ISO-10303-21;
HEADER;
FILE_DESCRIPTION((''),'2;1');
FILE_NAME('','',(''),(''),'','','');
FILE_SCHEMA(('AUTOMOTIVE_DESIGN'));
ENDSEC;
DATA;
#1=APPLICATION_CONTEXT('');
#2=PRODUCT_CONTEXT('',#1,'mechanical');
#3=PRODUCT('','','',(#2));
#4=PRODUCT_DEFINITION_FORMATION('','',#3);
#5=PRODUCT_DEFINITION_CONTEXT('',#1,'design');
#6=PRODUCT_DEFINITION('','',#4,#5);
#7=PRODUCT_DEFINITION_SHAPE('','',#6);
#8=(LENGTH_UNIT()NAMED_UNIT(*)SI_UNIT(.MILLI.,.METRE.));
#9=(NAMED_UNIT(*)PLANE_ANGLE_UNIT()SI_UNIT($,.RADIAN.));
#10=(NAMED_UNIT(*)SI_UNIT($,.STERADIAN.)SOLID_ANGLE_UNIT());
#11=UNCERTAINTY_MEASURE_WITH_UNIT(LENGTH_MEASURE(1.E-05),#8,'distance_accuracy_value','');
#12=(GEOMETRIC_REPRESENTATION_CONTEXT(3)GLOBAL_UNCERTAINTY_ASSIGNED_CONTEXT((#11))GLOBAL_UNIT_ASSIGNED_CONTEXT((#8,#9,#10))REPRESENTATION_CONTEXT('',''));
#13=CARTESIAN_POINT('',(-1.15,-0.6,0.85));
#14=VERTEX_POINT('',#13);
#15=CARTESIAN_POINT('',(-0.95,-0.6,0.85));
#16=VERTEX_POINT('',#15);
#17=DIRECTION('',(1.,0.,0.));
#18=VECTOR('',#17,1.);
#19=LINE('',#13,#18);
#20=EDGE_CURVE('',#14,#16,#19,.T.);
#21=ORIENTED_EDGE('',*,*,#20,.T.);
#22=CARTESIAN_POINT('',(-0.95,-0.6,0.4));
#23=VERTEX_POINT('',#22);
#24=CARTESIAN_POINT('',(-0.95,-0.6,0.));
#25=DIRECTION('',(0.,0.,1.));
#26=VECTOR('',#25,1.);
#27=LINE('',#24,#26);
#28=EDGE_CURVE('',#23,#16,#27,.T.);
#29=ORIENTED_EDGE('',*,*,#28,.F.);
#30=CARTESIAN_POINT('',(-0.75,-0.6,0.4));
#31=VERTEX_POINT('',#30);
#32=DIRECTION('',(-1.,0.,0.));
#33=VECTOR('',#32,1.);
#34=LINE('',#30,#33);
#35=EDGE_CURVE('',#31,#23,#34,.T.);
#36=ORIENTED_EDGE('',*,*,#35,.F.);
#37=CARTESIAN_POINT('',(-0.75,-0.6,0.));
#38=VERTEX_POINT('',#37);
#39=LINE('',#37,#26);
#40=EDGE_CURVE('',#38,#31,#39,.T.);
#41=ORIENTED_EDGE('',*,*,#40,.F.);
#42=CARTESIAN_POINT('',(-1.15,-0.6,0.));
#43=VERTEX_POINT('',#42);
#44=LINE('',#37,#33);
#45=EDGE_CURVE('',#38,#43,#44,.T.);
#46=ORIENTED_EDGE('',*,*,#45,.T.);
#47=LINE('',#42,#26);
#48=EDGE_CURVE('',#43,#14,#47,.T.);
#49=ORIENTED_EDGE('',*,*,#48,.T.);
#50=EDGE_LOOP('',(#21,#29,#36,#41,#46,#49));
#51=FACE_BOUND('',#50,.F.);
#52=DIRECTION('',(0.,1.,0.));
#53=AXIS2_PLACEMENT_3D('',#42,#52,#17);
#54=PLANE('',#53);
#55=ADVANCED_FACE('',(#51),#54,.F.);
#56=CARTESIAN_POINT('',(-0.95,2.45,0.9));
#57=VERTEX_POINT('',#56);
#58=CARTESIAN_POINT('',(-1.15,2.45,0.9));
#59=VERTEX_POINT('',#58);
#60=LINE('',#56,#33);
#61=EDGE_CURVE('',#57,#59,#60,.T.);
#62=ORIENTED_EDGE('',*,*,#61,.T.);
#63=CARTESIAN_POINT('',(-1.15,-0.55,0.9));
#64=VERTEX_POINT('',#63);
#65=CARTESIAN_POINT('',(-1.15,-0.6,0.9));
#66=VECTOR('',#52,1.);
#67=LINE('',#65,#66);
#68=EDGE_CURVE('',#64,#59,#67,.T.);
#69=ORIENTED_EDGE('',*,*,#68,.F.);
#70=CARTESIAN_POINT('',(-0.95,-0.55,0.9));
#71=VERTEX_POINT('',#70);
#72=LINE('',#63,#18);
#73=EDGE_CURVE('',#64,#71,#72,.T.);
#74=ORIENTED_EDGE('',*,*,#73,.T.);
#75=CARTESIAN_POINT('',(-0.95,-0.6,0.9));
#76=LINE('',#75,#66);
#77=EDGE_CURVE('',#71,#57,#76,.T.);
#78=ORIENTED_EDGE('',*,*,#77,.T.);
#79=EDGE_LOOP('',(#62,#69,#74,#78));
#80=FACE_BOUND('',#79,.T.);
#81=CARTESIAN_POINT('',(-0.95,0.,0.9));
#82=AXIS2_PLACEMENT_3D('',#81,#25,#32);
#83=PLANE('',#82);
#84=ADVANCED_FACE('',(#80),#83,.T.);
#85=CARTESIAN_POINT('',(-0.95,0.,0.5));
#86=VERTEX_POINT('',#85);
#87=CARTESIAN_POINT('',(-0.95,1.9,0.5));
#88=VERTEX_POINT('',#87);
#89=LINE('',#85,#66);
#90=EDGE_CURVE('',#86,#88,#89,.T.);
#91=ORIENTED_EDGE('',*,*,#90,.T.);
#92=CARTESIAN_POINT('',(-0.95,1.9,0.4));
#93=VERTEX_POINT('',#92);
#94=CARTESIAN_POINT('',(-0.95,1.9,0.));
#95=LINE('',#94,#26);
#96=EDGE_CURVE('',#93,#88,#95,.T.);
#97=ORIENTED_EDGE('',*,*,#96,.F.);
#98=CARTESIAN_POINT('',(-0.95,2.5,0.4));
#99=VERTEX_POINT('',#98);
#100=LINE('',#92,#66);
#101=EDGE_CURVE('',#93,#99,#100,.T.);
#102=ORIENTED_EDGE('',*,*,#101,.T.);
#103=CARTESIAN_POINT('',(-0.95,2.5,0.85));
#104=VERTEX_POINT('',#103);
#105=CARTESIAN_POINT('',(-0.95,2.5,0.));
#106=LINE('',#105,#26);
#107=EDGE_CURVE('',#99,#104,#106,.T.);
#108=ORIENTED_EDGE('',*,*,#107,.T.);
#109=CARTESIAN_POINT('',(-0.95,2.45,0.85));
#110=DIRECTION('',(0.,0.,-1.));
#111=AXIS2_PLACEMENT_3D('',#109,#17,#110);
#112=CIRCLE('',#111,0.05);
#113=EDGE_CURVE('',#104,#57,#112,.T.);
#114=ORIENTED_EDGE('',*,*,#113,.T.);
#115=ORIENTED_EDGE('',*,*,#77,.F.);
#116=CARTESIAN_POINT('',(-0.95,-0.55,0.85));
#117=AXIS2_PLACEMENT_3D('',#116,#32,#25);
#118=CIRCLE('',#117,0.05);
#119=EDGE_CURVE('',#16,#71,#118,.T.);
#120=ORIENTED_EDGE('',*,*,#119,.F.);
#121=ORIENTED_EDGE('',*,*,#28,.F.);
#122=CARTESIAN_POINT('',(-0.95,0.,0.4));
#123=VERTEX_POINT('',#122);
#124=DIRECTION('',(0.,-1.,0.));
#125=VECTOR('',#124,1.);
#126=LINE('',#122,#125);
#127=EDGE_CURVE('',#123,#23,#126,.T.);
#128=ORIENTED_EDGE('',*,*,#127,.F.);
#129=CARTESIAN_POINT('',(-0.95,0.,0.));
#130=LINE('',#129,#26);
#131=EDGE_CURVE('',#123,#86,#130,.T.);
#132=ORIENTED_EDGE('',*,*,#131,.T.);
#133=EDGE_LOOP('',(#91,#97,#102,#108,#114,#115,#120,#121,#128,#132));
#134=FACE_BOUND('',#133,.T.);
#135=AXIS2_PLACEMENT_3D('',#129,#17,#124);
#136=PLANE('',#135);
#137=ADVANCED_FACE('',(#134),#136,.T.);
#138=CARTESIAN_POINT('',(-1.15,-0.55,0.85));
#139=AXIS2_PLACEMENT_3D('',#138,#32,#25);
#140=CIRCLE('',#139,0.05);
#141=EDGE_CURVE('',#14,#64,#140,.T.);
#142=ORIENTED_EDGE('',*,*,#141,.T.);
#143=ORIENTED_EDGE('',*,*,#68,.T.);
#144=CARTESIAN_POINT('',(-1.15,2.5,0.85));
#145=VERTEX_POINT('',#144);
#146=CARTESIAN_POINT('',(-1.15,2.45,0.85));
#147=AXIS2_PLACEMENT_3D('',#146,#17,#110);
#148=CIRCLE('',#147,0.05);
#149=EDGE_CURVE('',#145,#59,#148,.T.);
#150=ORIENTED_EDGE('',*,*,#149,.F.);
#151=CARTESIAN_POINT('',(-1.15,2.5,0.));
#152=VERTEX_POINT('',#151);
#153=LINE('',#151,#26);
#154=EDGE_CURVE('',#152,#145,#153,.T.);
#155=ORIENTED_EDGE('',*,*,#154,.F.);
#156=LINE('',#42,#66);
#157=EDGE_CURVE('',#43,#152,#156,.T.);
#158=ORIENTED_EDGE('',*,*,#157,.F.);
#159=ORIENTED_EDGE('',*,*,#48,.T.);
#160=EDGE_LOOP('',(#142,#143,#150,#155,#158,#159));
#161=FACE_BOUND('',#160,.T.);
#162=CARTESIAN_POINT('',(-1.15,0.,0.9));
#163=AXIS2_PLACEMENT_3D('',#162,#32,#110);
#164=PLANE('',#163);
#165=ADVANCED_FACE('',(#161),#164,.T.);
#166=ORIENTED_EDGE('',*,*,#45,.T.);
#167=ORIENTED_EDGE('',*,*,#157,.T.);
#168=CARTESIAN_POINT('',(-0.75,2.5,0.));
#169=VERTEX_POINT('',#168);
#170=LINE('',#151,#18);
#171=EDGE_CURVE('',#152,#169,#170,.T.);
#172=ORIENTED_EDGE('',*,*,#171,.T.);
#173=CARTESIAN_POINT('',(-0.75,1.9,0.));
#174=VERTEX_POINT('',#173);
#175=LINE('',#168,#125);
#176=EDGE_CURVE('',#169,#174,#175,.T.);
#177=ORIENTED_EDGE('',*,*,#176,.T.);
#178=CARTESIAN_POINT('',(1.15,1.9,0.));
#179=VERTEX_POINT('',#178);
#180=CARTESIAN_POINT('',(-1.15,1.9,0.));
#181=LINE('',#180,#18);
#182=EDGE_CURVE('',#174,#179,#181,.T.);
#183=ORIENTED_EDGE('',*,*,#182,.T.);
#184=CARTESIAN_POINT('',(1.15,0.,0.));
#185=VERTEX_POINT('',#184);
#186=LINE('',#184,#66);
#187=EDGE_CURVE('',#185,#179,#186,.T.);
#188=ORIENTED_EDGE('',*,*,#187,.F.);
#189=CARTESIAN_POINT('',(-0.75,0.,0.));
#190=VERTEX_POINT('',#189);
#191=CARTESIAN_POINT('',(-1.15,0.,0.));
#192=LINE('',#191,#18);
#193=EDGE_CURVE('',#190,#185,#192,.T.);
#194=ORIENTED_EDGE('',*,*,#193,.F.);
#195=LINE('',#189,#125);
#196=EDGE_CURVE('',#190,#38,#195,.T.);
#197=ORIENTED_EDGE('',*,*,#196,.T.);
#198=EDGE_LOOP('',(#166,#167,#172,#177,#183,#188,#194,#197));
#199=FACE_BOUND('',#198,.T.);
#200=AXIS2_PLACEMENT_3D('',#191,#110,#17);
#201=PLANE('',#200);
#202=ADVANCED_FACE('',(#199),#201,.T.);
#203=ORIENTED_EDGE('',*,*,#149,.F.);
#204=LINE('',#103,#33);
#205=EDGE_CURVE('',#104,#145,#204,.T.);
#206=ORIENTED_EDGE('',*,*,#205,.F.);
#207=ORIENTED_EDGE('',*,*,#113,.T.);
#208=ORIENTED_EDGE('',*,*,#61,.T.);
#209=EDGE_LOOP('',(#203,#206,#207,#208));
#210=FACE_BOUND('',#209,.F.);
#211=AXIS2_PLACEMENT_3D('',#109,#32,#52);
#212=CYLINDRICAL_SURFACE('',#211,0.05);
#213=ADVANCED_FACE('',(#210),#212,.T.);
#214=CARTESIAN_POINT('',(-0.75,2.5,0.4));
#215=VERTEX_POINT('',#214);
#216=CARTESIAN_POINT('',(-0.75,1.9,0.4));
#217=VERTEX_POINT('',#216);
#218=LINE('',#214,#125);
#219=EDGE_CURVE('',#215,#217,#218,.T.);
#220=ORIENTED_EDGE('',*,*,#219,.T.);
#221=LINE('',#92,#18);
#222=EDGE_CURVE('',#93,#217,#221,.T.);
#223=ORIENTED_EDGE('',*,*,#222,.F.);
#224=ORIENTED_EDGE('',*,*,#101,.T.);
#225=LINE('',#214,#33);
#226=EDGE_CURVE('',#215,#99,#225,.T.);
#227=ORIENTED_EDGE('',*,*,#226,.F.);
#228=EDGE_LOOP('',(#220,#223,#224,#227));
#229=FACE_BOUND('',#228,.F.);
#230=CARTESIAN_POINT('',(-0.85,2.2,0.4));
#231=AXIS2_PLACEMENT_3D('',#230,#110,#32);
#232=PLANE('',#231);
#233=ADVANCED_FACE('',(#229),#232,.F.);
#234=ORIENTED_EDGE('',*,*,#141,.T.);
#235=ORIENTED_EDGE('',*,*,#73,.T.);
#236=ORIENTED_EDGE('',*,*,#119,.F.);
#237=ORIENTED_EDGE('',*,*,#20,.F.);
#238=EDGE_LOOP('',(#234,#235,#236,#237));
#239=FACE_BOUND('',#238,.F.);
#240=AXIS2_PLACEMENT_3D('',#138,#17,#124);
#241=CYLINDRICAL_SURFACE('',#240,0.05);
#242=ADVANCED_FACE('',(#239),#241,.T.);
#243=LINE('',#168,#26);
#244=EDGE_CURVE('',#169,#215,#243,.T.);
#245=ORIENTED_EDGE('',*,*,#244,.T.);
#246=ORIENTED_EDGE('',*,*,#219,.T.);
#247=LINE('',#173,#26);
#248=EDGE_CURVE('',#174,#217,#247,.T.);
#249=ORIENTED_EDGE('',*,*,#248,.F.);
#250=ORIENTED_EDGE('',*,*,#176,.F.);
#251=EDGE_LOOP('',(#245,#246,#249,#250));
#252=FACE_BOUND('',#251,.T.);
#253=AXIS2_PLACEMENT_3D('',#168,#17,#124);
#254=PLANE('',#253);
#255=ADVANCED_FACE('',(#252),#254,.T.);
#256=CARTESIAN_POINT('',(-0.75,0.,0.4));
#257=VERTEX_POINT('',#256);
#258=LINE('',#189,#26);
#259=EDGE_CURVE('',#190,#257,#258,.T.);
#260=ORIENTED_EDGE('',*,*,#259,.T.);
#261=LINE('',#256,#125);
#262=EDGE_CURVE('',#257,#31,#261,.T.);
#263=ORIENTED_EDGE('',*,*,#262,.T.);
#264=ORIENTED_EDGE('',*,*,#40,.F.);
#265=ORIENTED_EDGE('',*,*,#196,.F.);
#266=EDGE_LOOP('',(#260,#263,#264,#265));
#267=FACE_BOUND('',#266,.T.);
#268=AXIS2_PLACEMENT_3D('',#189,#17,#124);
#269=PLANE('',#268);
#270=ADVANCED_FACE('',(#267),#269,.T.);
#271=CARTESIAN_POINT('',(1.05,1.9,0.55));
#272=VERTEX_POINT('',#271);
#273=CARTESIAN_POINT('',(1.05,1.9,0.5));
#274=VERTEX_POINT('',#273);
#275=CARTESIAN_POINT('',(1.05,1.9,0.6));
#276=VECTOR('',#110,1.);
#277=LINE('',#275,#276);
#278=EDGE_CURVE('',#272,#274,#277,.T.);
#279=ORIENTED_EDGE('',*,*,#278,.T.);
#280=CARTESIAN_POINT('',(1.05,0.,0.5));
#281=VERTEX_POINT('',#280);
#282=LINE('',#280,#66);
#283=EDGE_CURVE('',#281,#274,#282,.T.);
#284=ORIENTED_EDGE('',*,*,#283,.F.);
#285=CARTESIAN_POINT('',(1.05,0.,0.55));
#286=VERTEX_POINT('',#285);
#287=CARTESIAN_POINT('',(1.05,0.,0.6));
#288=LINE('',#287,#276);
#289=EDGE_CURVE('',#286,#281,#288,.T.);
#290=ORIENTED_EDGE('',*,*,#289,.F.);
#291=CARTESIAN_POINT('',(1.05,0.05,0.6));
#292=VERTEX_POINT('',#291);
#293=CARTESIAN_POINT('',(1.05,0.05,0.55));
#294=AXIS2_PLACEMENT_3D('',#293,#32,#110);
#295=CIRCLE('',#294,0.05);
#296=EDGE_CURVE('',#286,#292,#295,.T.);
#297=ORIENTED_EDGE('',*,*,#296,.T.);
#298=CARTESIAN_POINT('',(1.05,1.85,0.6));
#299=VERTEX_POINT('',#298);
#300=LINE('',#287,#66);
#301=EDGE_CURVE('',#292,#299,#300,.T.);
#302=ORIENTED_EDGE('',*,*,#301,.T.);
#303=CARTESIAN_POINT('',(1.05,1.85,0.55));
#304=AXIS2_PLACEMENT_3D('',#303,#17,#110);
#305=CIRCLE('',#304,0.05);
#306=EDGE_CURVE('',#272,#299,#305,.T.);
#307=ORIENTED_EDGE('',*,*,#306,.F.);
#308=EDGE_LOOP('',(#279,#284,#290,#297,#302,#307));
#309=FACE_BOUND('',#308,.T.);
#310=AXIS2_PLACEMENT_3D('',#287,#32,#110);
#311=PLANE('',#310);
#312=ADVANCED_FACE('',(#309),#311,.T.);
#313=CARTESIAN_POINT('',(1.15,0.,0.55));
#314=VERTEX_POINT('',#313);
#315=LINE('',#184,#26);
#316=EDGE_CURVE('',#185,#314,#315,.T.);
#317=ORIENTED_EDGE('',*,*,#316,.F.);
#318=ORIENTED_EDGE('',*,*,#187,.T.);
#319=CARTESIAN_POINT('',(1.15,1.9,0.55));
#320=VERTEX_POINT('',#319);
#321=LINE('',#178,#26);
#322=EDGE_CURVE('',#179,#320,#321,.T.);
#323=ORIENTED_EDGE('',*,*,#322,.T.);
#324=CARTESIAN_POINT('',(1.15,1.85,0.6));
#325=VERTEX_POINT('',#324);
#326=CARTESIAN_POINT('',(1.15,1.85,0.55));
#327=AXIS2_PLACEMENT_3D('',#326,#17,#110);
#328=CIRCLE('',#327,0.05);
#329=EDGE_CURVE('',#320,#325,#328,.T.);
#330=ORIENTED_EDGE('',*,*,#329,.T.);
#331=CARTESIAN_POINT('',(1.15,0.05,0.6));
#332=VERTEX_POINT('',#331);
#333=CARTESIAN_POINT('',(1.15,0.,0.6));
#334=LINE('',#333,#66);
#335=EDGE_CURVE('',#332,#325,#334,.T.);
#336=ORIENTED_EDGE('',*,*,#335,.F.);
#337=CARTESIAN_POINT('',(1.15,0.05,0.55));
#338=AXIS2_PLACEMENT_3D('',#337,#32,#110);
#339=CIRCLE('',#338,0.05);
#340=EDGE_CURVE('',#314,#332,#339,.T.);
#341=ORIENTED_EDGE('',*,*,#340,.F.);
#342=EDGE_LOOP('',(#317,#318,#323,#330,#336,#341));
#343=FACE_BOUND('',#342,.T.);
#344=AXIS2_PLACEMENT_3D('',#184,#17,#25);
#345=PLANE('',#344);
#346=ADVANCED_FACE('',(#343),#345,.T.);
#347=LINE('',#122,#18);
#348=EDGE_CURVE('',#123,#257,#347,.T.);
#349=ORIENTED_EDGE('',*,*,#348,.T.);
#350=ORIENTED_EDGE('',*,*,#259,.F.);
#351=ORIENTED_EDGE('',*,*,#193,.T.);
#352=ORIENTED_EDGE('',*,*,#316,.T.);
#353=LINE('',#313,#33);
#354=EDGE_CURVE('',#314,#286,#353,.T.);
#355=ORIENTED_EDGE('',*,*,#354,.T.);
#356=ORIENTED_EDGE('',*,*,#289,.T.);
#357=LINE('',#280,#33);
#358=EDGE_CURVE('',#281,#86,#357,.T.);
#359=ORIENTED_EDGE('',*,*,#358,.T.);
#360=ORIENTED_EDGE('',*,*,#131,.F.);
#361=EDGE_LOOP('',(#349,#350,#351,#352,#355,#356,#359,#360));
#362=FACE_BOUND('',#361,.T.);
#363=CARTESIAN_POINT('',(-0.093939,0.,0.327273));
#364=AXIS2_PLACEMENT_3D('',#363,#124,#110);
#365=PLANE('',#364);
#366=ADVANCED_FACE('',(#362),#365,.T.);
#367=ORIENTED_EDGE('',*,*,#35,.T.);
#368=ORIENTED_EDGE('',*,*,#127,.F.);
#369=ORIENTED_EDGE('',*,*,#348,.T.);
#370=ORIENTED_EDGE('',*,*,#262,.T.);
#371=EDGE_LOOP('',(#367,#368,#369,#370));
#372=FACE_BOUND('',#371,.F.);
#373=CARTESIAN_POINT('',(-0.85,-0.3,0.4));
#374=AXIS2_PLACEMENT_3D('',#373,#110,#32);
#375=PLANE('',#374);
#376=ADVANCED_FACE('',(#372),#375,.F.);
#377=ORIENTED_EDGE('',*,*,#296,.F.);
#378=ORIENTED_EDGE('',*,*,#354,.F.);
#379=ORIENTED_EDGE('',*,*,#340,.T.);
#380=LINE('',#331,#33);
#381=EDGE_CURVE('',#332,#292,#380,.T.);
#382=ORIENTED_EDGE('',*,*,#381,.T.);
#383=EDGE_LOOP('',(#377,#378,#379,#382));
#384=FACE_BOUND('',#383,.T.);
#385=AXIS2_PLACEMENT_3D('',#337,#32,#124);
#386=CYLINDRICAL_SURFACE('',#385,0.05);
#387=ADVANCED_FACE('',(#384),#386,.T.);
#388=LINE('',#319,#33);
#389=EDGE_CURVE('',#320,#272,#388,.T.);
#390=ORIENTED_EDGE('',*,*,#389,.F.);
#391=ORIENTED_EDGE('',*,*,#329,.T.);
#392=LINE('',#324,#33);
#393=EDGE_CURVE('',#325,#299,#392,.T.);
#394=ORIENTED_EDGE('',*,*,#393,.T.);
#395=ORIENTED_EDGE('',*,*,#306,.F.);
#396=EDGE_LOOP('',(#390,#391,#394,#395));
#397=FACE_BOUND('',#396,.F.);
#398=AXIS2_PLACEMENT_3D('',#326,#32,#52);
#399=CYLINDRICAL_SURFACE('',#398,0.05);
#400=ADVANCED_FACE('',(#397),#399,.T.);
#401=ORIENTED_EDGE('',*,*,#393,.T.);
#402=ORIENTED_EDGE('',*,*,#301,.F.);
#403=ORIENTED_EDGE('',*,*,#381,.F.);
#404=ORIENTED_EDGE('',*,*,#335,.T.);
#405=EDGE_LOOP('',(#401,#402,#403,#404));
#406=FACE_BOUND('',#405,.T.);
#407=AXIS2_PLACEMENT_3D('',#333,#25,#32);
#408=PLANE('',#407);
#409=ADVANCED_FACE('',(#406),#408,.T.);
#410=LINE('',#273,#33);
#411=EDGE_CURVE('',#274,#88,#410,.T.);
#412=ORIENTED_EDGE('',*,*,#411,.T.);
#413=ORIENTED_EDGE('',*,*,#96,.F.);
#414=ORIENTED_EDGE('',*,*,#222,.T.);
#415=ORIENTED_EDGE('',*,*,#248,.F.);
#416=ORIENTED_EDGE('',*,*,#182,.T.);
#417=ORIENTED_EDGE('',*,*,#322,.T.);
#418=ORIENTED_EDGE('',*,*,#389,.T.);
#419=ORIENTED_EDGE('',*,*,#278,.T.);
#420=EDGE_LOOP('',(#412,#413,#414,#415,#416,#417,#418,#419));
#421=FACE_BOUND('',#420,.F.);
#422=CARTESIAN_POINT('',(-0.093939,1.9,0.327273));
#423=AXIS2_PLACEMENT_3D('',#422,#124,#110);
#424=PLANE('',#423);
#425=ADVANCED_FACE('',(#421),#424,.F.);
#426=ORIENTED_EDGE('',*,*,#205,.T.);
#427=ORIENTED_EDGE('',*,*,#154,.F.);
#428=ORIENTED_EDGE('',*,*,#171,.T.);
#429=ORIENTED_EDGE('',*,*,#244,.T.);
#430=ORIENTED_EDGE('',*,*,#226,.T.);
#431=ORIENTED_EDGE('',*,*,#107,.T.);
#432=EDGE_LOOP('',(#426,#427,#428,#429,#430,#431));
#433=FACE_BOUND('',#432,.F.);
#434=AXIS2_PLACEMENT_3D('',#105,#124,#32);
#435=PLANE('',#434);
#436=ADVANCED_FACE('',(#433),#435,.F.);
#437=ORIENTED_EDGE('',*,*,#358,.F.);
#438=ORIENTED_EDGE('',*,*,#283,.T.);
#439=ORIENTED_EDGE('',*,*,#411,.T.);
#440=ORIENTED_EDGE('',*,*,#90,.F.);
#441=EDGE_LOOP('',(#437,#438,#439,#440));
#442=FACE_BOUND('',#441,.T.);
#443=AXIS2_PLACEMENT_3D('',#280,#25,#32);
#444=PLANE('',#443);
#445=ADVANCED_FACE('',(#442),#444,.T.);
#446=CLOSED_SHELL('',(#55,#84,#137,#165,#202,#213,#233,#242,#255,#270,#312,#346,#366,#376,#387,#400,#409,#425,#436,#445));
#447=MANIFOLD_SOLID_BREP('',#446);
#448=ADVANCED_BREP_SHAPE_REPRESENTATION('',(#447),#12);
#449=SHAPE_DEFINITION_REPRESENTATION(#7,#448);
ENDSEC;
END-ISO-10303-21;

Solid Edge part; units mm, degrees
sketch "Sketch1" plane through (0, 0, 0) normal (0, -1, 0) x (1, 0, 0)
  line L0 (-1.15, 0) -> (1.15, 0)
  line L1 (1.15, 0) -> (1.15, 0.6)
  line L2 (1.15, 0.6) -> (1.05, 0.6)
  line L3 (1.05, 0.6) -> (1.05, 0.5)
  line L4 (1.05, 0.5) -> (-0.95, 0.5)
  line L5 (-0.95, 0.5) -> (-0.95, 0.9)
  line L6 (-0.95, 0.9) -> (-1.15, 0.9)
  line L7 (-1.15, 0.9) -> (-1.15, 0)
  dimension "D1" = 0.2
  dimension "D2" = 0.1
  dimension "D3" = 2.3
  dimension "D4" = 0.5
  dimension "D5" = 0.6
  dimension "D6" = 0.9
extrude "Protrusion1" add sketch "Sketch1" against normal blind 1.9
sketch "Sketch2" plane through (0, 0.95, 0) normal (0, 0, -1) x (-1, 0, 0)
  line L0 (1.15, -1.55) -> (0.95, -1.55)
  line L1 (0.95, -0.95) -> (0.95, -1.55)
  line L2 (1.15, -0.95) -> (0.95, -0.95)
  line L3 (1.15, -0.95) -> (1.15, -1.55)
  line L4 (0.95, 1.55) -> (0.95, 0.95)
  line L5 (1.15, 0.95) -> (0.95, 0.95)
  line L6 (1.15, 1.55) -> (1.15, 0.95)
  line L7 (0.95, 1.55) -> (1.15, 1.55)
  dimension "D1" = 0.6
extrude "Protrusion2" add sketch "Sketch2" against normal up to surface (0.9 mm away)
sketch "Sketch3" plane through (0, 0.95, 0) normal (0, 0, -1) x (-1, 0, 0)
  line L0 (0.95, -0.95) -> (0.75, -0.95)
  line L1 (0.75, -0.95) -> (0.75, -1.55)
  line L2 (0.75, -1.55) -> (0.95, -1.55)
  line L3 (0.95, -0.95) -> (0.95, -1.55)
  line L4 (0.95, 0.95) -> (0.95, 1.55)
  line L5 (0.75, 1.55) -> (0.95, 1.55)
  line L6 (0.75, 1.55) -> (0.75, 0.95)
  line L7 (0.95, 0.95) -> (0.75, 0.95)
extrude "Ausprägung_3" add sketch "Sketch3" against normal blind 0.4
fillet "Verrundung_1" radius 0.05 4 edges at (-1.05, -0.6, 0.9) (-1.05, 2.5, 0.9) (1.1, 1.9, 0.6) (1.1, 0, 0.6)
